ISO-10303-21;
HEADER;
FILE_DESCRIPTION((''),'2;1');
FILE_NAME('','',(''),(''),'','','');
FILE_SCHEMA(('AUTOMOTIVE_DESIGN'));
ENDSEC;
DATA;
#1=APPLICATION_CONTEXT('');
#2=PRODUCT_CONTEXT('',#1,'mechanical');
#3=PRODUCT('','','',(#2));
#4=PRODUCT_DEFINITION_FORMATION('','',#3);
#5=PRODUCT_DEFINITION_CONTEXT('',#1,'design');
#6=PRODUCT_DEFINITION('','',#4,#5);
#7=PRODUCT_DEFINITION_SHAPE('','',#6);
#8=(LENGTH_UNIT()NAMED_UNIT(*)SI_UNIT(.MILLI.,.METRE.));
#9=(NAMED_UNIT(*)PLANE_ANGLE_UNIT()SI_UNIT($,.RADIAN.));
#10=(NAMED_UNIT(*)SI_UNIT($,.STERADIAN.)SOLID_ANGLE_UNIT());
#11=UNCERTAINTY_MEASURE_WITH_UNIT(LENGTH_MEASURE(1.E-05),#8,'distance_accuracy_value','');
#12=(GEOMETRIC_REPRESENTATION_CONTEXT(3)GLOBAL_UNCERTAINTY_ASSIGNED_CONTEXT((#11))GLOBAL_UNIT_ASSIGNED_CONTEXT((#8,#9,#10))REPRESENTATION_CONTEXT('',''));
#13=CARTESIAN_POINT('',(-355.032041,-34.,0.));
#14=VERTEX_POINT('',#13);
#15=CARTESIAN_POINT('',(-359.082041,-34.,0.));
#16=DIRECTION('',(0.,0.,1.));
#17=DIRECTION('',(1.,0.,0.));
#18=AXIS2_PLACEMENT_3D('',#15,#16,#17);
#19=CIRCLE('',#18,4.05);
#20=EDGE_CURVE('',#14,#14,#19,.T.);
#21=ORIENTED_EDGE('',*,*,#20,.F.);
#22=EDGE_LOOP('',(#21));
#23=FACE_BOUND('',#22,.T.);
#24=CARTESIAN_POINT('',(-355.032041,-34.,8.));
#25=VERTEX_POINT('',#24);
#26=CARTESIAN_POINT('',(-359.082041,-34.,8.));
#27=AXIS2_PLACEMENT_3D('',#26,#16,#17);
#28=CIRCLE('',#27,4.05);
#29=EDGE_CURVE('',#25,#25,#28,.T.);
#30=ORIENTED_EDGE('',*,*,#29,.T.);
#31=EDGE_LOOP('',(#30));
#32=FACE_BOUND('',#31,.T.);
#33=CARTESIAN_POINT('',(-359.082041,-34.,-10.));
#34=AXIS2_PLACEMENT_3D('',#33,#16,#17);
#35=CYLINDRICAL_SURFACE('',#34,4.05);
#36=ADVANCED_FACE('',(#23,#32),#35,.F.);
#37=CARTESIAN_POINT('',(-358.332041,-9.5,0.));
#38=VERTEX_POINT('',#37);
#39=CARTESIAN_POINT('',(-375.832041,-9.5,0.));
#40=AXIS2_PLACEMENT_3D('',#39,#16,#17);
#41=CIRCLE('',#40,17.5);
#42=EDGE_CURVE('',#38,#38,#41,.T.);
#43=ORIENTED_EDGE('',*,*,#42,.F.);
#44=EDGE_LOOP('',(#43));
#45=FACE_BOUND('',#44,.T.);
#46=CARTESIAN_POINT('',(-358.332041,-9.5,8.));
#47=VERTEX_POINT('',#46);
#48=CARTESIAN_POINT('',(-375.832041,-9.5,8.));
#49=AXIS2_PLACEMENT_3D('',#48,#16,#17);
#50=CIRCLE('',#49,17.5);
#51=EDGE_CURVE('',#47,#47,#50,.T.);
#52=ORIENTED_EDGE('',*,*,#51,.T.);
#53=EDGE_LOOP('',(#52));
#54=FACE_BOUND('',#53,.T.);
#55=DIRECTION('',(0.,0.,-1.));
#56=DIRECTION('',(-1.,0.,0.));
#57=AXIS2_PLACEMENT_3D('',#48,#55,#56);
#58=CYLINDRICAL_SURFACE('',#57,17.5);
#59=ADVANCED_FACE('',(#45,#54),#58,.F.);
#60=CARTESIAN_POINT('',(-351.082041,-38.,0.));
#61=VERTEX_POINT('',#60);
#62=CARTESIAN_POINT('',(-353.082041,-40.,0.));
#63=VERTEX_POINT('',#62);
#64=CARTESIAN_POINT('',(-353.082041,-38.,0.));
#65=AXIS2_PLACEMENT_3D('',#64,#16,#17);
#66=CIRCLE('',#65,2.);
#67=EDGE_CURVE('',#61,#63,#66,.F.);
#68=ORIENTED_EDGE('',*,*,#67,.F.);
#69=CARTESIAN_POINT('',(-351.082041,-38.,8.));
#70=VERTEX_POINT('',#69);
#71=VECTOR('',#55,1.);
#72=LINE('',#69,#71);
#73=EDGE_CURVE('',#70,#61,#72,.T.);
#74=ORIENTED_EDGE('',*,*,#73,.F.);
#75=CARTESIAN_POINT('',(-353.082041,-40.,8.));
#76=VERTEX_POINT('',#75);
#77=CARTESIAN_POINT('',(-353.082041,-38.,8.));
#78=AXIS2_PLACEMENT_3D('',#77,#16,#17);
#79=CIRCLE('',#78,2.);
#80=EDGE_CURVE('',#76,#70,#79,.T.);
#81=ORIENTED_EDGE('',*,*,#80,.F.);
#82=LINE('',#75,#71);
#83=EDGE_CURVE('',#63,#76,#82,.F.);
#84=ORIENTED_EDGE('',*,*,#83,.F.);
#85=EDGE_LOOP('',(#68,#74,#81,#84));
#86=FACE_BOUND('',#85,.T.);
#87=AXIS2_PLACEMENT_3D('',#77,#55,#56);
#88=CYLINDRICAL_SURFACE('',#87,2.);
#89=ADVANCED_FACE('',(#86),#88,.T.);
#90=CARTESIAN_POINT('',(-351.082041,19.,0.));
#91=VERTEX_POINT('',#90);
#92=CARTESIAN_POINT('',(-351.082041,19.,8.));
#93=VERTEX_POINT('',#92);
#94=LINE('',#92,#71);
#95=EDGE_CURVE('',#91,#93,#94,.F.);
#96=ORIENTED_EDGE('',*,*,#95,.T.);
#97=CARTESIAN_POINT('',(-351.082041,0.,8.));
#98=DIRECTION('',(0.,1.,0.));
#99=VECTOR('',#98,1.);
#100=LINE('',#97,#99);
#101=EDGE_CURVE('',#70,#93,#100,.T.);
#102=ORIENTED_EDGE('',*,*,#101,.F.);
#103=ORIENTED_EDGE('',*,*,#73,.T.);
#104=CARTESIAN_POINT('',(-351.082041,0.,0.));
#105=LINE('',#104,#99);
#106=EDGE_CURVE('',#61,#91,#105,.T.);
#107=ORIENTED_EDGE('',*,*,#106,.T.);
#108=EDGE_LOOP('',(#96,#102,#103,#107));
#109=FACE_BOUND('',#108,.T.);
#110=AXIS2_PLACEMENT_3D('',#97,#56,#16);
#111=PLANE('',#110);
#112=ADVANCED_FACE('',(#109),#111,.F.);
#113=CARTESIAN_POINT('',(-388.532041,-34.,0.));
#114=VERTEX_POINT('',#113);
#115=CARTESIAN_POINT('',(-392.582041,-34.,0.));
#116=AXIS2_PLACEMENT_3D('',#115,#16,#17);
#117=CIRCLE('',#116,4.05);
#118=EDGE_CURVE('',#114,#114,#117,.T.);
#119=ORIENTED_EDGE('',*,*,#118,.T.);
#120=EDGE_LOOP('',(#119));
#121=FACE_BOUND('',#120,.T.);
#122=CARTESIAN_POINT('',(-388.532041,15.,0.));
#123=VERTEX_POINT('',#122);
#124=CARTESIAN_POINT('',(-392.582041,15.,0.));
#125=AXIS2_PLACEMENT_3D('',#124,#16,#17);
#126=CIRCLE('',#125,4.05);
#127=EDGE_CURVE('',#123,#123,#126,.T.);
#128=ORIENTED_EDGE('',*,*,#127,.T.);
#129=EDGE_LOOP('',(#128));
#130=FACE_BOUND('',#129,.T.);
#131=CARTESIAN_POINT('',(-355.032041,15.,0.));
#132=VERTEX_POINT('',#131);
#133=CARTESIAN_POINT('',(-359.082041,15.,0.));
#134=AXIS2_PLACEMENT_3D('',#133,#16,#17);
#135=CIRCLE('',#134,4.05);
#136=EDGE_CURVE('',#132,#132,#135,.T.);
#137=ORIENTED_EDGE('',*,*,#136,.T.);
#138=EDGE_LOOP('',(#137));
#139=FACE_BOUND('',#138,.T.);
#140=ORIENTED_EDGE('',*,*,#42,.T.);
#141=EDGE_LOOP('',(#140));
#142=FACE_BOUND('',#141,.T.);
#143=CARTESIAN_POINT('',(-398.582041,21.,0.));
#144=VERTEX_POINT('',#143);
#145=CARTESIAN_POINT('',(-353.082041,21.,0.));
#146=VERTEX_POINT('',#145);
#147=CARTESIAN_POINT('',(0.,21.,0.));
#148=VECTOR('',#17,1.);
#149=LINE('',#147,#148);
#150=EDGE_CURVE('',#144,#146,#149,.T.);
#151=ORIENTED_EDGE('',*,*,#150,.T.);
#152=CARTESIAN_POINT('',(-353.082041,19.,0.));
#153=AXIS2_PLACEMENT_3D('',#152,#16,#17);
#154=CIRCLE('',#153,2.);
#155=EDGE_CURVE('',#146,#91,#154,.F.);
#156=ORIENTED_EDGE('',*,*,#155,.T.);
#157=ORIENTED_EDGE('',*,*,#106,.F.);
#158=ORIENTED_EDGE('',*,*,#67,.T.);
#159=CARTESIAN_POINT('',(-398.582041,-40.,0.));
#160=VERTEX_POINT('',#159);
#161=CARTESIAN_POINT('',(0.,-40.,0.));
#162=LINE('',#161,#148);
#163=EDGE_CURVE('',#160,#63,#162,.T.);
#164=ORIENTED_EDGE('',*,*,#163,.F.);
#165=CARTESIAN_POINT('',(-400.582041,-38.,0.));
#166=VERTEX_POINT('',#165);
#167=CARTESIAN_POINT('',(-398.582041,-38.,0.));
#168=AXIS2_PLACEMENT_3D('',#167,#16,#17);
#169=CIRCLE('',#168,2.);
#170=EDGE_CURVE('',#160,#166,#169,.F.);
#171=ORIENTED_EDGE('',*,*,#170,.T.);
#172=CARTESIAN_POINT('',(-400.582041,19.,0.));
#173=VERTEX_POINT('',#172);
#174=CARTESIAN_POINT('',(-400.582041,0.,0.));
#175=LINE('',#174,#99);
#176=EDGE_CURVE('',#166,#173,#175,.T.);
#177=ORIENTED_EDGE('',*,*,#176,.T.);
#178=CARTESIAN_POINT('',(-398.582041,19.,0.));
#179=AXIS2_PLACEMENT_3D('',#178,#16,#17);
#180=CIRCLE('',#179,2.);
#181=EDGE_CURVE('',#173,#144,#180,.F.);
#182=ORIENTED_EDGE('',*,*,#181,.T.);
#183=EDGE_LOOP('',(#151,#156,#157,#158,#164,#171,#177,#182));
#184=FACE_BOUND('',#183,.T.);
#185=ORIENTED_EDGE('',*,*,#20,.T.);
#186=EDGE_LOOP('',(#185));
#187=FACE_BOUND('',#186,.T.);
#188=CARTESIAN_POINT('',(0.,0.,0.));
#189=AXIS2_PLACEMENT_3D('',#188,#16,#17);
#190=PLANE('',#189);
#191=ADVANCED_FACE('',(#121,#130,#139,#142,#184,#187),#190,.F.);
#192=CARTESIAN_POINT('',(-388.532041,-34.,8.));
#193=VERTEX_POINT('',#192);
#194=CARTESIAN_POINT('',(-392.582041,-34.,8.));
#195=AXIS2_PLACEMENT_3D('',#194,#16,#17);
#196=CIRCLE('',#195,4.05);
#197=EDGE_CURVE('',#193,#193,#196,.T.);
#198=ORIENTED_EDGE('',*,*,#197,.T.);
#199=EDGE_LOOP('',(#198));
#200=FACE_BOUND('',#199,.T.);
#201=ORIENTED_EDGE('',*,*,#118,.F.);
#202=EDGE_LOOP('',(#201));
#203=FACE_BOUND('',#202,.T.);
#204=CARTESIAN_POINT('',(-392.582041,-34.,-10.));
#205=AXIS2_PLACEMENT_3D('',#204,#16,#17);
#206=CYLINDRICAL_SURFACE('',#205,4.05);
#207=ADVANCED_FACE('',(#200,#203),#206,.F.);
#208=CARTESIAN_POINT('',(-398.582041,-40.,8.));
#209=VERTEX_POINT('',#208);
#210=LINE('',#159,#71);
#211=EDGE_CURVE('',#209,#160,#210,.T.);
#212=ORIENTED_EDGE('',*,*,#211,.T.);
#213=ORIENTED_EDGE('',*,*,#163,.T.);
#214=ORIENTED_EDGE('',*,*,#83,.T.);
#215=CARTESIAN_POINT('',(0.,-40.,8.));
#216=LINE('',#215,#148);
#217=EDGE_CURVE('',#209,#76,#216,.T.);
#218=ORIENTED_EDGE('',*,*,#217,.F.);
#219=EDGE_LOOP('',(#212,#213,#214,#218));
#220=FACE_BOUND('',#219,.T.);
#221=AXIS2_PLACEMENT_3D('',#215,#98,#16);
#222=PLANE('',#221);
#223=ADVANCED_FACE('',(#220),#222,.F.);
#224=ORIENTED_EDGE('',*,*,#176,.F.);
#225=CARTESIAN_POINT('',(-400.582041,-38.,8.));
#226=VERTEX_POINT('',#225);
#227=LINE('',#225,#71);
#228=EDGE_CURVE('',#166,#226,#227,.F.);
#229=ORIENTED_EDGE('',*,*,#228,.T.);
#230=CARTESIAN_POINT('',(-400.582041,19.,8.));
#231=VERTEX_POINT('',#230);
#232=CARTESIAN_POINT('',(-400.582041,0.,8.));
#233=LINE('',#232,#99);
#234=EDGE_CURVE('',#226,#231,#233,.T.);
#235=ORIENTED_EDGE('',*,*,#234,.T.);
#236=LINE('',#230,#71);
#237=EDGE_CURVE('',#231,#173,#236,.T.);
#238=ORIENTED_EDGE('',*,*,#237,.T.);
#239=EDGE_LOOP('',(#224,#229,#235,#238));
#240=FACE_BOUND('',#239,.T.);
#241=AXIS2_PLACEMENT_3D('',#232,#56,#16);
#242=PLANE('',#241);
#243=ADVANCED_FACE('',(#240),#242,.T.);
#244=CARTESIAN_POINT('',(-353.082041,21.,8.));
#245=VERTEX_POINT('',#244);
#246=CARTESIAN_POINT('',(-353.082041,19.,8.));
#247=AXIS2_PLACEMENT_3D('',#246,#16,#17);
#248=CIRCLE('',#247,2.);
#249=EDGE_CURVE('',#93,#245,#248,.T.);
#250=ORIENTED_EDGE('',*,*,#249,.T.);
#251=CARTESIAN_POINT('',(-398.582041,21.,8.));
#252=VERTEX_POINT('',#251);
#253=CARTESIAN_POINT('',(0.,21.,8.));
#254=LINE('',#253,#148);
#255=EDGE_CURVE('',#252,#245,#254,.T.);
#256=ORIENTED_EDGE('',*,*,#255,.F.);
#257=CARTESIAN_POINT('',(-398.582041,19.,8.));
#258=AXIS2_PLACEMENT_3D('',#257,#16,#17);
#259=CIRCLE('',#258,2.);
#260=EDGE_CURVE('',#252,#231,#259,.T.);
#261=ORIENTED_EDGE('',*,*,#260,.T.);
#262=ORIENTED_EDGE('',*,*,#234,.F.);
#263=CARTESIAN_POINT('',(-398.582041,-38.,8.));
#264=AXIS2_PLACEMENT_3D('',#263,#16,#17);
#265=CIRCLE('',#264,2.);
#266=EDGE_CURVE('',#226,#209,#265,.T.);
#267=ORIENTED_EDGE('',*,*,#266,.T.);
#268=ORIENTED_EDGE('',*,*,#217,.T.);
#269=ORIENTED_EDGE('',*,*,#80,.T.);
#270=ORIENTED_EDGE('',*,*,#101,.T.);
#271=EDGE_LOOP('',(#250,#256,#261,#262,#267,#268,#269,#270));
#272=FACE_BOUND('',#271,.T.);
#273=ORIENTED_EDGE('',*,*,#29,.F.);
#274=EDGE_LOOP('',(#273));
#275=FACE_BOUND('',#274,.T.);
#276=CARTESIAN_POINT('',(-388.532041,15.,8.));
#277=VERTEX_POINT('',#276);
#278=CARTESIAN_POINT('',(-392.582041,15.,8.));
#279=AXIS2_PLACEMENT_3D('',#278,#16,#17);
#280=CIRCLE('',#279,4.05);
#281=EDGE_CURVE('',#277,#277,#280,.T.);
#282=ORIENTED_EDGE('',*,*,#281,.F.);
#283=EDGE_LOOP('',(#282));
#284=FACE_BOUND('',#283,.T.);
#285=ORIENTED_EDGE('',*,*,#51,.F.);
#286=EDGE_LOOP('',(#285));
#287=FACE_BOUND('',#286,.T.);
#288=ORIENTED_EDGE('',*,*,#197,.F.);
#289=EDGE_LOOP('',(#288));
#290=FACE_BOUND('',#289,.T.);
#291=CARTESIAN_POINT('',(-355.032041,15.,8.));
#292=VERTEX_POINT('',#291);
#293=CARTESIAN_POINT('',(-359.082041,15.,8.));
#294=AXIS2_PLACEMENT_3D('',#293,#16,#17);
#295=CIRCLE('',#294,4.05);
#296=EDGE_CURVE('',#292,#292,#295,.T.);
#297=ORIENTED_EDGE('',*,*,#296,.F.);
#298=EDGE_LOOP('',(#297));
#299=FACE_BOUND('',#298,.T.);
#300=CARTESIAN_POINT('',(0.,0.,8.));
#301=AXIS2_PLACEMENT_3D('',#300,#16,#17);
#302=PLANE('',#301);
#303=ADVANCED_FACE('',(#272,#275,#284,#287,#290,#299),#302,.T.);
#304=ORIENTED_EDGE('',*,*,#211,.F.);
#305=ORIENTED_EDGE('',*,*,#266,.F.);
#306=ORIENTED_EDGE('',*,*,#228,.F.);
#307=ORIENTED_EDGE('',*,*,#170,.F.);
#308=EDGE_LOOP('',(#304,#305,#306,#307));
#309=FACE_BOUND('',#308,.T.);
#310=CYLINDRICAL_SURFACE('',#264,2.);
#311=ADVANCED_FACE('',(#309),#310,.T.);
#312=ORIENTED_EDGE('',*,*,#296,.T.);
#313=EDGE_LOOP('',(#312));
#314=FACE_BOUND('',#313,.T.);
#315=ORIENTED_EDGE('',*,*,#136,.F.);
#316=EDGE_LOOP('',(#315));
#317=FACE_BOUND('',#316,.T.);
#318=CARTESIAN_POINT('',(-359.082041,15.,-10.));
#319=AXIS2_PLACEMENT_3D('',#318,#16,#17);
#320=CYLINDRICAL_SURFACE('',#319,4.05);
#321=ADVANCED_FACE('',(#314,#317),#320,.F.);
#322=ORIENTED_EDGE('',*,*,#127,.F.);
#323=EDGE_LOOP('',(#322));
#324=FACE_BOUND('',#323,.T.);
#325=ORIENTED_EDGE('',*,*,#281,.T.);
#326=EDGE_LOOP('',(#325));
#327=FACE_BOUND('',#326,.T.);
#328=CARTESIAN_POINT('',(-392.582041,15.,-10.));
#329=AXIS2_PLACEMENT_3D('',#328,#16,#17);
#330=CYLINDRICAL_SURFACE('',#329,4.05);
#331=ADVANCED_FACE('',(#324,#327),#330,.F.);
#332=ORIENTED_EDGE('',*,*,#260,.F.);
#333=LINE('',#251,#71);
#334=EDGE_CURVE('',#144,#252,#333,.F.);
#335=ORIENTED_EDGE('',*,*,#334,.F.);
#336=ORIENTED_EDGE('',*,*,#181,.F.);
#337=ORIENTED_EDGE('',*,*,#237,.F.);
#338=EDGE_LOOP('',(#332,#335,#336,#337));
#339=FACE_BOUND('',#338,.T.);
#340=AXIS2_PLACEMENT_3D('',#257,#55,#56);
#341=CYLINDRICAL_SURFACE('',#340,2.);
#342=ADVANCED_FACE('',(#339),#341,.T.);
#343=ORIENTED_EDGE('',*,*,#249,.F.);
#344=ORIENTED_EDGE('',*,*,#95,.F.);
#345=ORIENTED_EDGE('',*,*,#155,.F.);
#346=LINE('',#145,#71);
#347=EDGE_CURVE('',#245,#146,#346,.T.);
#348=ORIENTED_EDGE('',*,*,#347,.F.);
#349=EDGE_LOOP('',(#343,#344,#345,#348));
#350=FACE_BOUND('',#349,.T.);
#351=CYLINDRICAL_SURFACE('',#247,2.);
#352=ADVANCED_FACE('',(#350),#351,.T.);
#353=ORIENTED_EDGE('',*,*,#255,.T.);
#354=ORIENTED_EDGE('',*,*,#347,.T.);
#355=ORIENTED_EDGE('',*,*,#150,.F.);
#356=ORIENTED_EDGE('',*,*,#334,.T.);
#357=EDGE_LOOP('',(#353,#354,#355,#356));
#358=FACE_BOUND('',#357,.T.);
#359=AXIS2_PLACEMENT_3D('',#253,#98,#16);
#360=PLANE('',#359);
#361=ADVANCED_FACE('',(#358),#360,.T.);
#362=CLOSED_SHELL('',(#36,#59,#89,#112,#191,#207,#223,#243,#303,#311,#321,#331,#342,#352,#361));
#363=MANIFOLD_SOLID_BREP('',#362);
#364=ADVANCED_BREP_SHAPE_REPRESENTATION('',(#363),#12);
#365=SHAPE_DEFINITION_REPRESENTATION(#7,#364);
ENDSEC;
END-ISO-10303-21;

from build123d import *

# Parameters (mm, degrees)
SKETCH1_W           = 49.5
SKETCH1_H           = 61
SKETCH1_R           = 17.5
BOSS_EXTRUDE1_DEPTH = 8
FILLET1_R           = 2
SKETCH25_R          = 4.05
CUT_EXTRUDE24_DEPTH = 20


with BuildPart() as part:
    # Sketch1 → Boss-Extrude1 (new body)
    with BuildSketch(Plane.XY):
        with Locations((-375.83204095, -9.5)):
            Rectangle(SKETCH1_W, SKETCH1_H)
        with Locations((-375.83204095, -9.5)):
            Circle(SKETCH1_R, mode=Mode.SUBTRACT)
    extrude(amount=BOSS_EXTRUDE1_DEPTH)

    # Fillet1
    fillet1_edges = [part.edges().sort_by_distance(p)[0] for p in [
        (-400.58204095, -40, 4),
        (-400.58204095, 21, 4),
        (-351.08204095, 21, 4),
        (-351.08204095, -40, 4),
    ]]
    fillet(fillet1_edges, radius=FILLET1_R)

    # Sketch25 → Cut-Extrude24 (cut)
    with BuildSketch(Plane(origin=(-362.113949842, -45.191927803, 10), x_dir=(1, 0, 0), z_dir=(0, 0, 1))):
        with Locations((-30.468091108, 11.191927803)):
            Circle(SKETCH25_R)
        with Locations((-30.468091108, 60.191927803)):
            Circle(SKETCH25_R)
        with Locations((3.031908892, 11.191927803)):
            Circle(SKETCH25_R)
        with Locations((3.031908892, 60.191927803)):
            Circle(SKETCH25_R)
    extrude(amount=-CUT_EXTRUDE24_DEPTH, mode=Mode.SUBTRACT)


solid = part.part
